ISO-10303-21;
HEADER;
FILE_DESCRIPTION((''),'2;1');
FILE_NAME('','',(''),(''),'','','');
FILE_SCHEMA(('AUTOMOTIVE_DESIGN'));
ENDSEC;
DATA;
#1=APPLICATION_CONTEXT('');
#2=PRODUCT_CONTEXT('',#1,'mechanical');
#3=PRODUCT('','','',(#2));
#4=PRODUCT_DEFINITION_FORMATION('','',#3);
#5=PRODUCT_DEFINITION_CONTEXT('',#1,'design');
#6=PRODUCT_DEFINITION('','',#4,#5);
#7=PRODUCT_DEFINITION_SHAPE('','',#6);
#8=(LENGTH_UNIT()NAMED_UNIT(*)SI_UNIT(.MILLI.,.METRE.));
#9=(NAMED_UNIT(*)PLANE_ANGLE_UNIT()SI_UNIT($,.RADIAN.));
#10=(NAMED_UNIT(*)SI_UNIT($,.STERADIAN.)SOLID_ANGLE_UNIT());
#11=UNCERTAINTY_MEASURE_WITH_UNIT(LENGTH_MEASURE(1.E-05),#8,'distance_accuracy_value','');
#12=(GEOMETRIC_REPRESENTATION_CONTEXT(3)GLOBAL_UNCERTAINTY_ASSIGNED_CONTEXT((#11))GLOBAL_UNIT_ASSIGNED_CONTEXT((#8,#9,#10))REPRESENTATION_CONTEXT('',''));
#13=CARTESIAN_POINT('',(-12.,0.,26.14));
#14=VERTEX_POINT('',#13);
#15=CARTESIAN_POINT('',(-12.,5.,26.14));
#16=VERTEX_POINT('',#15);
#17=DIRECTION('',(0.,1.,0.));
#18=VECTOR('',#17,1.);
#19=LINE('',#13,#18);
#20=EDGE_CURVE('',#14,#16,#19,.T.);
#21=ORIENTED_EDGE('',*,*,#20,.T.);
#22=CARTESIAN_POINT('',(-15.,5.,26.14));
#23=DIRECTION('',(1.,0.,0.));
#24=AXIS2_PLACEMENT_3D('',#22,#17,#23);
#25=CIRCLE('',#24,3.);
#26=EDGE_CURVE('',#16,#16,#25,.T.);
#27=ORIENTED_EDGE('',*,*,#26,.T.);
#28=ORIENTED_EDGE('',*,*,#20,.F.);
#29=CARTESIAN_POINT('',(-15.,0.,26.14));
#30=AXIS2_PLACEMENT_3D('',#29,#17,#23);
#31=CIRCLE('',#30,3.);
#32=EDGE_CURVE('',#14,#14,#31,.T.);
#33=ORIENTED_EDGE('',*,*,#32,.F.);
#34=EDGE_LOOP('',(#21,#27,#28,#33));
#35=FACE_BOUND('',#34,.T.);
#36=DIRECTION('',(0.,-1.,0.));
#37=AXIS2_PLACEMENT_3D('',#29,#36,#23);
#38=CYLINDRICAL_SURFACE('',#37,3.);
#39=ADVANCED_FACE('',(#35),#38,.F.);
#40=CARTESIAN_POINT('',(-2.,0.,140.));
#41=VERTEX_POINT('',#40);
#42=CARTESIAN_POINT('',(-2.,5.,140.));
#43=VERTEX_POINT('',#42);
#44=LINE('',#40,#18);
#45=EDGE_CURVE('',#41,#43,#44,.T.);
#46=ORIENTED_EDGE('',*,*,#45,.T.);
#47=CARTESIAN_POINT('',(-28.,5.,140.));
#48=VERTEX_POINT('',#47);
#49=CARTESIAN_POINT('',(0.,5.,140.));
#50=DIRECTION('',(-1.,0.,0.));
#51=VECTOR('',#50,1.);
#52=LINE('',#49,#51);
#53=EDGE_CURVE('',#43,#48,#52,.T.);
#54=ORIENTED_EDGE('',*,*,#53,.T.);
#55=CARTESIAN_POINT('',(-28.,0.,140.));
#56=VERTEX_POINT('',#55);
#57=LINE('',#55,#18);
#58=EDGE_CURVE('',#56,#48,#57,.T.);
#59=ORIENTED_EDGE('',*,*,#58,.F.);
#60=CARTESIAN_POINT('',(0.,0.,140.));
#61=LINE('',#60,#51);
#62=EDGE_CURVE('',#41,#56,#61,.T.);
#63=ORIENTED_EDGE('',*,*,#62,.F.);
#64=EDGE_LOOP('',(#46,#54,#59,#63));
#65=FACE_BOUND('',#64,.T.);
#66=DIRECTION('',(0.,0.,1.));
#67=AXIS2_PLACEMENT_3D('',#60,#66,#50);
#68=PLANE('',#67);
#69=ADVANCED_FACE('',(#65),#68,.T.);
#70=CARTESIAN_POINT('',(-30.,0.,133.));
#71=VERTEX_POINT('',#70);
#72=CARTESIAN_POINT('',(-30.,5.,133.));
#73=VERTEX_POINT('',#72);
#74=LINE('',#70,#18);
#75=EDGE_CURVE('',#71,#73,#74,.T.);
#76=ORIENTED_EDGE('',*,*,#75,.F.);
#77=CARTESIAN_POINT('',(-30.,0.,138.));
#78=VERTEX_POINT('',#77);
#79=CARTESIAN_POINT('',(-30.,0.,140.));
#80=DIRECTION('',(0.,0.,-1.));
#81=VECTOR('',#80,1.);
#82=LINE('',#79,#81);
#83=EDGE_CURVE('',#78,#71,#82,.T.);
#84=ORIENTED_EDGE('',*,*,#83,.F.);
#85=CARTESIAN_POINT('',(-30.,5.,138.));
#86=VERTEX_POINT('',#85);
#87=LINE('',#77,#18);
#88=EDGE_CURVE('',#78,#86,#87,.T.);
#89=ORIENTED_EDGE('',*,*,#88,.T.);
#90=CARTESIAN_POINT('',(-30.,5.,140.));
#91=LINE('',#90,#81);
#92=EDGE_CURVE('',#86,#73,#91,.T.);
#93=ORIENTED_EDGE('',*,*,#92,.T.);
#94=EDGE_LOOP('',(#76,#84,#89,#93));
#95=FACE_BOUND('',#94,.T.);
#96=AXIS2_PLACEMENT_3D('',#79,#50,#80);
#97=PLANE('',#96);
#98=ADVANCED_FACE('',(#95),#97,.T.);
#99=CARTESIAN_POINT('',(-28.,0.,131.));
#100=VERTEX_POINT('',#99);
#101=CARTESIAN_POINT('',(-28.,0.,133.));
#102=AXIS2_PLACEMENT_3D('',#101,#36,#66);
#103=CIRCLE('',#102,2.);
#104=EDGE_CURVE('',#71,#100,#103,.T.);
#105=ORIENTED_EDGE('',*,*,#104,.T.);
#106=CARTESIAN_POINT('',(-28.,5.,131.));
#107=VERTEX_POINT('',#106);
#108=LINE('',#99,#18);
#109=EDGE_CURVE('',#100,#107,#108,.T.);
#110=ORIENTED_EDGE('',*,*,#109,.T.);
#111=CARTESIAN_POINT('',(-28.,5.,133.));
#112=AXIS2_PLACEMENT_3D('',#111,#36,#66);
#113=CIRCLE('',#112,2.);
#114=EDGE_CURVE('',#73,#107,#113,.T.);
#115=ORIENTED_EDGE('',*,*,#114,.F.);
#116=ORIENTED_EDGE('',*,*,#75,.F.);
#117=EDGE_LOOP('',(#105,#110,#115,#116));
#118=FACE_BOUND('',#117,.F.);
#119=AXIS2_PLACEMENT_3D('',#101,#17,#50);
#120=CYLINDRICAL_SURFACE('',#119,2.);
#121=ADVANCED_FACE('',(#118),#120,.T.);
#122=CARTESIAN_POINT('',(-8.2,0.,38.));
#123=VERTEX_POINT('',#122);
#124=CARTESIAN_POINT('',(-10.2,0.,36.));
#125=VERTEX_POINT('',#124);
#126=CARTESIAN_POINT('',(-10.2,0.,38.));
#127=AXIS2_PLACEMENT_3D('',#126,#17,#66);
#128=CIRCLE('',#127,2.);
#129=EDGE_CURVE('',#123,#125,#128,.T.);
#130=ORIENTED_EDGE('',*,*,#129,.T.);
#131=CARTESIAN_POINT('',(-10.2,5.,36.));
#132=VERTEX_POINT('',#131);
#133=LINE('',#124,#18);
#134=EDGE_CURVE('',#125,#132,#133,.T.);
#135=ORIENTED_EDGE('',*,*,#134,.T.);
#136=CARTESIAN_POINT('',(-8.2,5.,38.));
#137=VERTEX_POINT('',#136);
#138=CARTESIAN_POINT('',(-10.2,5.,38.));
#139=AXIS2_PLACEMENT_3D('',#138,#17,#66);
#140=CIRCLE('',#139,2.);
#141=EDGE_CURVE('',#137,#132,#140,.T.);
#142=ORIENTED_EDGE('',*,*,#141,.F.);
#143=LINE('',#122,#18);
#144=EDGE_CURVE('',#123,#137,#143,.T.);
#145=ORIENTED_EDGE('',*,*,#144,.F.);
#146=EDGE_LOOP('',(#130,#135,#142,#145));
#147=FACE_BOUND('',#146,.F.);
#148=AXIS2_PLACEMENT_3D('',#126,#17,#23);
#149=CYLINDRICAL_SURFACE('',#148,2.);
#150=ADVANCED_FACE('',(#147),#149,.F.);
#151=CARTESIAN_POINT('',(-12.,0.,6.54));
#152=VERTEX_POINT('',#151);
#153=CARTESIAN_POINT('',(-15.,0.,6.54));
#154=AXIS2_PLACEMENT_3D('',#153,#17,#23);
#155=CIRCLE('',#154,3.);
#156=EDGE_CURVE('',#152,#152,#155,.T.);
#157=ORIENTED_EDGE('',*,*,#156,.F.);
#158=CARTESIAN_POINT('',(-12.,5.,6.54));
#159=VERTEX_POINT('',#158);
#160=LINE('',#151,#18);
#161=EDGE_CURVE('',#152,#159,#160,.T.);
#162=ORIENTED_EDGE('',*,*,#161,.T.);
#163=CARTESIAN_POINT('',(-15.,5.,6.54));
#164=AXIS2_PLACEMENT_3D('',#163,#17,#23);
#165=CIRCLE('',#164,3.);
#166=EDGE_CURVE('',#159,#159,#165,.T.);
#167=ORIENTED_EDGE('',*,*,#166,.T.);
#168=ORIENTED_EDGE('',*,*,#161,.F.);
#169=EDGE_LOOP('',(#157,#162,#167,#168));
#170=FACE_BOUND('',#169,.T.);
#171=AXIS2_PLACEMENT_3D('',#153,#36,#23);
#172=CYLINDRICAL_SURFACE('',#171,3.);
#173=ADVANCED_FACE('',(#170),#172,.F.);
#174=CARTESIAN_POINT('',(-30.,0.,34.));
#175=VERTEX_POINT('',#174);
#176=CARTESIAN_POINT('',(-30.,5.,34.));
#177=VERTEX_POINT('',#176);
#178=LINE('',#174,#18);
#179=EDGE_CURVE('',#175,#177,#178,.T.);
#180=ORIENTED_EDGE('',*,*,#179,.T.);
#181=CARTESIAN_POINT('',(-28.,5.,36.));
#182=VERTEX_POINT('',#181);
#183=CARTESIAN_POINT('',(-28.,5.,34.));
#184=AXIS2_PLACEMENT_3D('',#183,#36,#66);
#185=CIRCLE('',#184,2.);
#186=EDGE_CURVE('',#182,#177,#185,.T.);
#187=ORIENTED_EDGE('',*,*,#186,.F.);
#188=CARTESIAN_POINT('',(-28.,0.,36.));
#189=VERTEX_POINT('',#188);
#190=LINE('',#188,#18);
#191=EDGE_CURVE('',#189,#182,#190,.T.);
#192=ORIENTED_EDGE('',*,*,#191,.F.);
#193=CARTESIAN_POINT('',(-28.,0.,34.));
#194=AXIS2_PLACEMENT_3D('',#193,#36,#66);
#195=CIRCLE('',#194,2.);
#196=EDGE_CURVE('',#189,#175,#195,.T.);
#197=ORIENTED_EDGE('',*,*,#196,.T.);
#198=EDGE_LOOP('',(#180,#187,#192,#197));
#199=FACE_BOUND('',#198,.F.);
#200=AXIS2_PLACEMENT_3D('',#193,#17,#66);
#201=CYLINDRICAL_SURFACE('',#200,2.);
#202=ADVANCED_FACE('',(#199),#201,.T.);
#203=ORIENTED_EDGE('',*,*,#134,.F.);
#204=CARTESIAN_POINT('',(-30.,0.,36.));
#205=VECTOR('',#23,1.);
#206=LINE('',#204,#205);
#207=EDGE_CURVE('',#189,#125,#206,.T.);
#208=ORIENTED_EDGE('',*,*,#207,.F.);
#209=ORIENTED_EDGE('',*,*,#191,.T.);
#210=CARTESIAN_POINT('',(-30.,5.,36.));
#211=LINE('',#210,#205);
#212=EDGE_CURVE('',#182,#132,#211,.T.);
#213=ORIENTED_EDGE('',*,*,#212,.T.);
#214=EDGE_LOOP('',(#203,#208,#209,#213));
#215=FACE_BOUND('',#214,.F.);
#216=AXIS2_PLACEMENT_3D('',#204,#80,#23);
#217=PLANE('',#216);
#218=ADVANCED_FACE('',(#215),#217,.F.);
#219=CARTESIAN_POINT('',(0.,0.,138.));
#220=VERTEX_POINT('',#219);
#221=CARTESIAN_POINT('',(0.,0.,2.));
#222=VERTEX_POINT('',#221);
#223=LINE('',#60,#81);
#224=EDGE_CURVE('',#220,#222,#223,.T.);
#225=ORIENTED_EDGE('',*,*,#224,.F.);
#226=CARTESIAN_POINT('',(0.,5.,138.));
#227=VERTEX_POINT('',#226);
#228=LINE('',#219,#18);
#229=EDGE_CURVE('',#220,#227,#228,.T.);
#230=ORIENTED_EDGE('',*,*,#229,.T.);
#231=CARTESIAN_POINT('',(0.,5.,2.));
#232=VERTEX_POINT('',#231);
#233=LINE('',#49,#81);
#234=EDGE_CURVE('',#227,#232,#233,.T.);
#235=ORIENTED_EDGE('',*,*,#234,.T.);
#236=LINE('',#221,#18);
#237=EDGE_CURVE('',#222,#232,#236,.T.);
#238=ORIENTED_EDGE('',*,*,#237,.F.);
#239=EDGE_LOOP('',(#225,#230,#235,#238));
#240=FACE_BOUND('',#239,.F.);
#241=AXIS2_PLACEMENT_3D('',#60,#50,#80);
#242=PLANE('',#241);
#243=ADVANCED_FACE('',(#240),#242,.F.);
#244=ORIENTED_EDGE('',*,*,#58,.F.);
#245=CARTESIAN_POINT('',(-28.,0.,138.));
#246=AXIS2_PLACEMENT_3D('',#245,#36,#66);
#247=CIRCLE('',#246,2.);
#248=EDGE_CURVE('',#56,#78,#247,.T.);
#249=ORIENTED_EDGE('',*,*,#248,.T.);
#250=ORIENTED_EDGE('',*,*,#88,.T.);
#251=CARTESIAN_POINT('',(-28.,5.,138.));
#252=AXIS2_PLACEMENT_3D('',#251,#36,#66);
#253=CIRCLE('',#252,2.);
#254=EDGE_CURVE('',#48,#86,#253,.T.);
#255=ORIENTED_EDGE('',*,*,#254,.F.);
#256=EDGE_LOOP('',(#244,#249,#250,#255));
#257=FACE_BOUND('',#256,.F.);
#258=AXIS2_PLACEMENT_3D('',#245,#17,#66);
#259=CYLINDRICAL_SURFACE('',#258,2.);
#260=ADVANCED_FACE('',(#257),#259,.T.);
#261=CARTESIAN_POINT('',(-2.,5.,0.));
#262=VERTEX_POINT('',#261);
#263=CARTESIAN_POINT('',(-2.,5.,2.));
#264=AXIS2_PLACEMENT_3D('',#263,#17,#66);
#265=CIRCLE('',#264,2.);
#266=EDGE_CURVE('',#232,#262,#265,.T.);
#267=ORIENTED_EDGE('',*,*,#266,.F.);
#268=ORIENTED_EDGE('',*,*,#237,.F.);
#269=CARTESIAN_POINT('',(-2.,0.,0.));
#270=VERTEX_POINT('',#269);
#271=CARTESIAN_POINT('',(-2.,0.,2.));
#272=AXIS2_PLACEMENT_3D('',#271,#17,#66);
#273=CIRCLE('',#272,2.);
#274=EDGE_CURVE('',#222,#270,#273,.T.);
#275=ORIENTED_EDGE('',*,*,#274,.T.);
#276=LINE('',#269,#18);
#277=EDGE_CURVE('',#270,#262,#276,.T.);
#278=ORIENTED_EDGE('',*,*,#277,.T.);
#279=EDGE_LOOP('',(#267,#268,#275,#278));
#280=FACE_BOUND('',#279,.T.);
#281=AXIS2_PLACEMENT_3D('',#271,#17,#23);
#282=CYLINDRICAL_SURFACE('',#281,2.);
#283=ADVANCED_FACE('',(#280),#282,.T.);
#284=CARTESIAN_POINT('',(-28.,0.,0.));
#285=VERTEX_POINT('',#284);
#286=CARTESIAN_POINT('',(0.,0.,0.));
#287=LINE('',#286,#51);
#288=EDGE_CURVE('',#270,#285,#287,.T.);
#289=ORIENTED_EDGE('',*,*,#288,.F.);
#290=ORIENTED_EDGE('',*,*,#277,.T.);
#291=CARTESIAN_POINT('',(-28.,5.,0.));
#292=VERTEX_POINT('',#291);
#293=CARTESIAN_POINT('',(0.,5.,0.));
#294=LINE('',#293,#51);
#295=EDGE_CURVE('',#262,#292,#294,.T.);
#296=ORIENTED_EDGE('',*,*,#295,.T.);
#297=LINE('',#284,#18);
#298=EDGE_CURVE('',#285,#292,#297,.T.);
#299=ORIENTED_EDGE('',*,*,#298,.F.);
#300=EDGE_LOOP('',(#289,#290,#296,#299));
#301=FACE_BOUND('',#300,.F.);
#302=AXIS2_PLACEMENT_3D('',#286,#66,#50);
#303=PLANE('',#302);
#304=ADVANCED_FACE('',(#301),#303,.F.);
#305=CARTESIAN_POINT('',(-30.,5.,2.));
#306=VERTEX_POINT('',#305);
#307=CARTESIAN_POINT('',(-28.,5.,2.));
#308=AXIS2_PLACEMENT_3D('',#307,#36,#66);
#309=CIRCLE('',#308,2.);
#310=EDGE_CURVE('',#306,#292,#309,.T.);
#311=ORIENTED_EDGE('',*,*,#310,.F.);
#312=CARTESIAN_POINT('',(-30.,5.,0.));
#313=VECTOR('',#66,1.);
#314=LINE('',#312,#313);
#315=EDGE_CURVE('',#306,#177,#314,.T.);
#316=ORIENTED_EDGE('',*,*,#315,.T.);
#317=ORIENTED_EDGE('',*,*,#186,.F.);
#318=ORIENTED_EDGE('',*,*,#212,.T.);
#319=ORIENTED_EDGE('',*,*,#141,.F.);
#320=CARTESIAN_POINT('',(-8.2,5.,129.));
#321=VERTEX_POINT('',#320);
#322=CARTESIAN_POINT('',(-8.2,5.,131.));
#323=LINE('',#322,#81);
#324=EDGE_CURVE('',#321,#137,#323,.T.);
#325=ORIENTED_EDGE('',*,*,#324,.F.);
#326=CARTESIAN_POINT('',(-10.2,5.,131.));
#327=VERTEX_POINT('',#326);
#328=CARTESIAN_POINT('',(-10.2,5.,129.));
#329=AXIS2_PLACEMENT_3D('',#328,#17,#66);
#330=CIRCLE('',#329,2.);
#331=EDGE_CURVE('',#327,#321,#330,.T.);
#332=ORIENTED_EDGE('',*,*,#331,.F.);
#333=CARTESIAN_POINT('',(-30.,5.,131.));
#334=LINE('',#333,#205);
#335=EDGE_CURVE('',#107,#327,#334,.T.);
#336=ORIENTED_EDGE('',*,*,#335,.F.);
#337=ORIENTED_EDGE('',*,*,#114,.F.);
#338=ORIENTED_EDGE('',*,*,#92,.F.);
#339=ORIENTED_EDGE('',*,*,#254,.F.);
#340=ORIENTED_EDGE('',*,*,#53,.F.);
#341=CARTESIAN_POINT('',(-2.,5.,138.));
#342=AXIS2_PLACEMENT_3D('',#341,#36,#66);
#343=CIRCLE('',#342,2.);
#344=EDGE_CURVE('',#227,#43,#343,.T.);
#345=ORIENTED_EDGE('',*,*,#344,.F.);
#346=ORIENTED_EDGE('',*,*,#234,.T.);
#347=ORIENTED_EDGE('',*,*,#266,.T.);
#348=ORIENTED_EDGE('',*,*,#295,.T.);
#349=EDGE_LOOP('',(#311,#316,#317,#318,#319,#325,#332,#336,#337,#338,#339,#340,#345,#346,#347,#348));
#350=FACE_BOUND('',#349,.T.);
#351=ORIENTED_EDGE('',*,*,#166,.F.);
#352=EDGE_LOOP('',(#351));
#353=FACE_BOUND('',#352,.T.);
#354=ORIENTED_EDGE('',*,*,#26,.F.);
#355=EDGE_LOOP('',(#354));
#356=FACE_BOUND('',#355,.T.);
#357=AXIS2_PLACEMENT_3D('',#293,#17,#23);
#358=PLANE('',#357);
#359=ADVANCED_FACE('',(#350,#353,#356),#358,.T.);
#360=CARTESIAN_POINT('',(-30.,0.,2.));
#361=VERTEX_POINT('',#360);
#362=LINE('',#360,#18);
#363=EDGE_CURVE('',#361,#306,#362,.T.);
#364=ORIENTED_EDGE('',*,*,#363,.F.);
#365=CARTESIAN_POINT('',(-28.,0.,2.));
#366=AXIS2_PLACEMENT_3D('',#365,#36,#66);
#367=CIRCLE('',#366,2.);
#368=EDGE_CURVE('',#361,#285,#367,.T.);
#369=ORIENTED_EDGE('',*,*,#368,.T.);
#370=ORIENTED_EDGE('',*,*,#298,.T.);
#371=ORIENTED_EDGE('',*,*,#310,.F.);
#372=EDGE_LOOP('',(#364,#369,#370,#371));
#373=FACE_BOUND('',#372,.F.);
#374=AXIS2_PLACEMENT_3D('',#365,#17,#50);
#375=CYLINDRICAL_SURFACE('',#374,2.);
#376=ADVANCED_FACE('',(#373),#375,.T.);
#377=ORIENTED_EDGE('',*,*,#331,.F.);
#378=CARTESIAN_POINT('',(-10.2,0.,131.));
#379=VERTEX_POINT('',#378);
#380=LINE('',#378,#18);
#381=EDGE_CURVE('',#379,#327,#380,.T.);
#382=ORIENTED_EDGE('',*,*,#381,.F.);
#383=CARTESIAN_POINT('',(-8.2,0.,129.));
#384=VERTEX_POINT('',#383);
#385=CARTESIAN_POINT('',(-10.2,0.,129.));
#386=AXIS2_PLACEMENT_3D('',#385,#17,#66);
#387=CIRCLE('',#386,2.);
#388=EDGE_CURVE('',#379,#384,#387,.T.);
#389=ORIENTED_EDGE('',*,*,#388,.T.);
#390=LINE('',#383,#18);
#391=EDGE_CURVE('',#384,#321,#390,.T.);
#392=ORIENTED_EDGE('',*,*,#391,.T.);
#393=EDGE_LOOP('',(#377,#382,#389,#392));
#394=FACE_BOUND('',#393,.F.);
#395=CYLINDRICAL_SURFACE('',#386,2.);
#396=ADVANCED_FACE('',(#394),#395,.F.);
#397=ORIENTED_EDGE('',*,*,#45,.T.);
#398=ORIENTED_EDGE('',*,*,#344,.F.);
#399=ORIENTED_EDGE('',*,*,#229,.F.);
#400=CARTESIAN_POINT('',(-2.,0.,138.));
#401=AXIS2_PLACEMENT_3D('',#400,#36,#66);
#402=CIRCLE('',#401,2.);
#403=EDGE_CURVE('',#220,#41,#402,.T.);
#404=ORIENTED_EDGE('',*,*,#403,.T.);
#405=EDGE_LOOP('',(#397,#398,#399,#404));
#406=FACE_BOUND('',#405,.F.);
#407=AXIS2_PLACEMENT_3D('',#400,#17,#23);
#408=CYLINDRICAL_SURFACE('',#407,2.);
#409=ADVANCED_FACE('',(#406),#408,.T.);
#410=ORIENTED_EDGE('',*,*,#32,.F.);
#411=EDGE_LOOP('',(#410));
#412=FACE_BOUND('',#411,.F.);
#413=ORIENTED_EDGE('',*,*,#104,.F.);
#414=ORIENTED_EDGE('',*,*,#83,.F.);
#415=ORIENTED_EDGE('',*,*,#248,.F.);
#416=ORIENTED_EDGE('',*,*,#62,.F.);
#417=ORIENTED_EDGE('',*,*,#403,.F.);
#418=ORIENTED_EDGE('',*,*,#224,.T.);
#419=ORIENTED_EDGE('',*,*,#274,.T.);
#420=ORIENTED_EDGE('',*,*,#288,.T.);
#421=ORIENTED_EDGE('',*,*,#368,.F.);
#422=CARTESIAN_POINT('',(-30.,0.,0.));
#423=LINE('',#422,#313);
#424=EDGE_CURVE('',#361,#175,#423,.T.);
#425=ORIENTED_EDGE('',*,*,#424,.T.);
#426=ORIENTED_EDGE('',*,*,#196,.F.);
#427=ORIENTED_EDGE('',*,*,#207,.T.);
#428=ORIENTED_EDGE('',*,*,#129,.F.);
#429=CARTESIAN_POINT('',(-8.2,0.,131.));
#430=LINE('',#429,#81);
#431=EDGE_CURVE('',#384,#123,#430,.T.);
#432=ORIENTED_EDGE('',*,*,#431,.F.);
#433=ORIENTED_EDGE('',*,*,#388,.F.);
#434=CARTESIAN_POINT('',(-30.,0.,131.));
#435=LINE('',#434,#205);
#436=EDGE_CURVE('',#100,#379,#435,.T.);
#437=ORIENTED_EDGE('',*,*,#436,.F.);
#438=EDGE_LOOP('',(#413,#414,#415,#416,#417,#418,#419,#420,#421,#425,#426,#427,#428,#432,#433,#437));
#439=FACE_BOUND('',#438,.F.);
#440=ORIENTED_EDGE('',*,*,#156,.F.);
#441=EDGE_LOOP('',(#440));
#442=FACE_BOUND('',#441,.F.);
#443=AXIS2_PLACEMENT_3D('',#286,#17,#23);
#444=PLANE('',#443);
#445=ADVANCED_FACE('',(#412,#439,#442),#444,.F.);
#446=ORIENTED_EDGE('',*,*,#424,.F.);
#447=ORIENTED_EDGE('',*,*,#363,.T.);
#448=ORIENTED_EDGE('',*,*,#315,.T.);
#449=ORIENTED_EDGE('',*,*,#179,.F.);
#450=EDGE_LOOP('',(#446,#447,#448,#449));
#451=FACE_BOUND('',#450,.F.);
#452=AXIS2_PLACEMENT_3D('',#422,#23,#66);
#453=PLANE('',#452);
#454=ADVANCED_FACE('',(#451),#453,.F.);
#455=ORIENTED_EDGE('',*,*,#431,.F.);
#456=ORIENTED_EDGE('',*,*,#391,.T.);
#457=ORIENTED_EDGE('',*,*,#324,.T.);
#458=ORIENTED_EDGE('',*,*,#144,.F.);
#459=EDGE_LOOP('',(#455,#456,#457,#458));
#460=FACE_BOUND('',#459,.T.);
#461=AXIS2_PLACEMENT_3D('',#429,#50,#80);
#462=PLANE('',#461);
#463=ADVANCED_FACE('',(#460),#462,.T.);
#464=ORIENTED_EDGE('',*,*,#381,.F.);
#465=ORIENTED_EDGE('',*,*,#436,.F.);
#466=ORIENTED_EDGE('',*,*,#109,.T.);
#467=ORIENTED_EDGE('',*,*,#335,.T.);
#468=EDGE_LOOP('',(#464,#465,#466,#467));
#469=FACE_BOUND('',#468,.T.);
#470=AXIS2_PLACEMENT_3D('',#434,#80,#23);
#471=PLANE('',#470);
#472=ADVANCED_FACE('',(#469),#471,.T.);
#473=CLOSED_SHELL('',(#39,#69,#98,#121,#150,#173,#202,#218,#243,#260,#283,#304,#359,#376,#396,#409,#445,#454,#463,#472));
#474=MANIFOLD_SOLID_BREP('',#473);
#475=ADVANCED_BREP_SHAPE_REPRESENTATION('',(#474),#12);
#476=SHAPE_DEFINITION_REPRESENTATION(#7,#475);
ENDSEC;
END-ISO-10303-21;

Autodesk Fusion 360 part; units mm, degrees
sketch "Sketch1" plane through (0, 0, 0) normal (0, 1, 0) x (1, 0, 0)
  line L0 (0, 0) -> (-30, 0)
  line L1 (-30, 0) -> (-30, -36)
  line L2 (0, -140) -> (0, 0)
  line L3 (0, -140) -> (-30, -140)
  line L4 (-30, -140) -> (-30, -131)
  line L5 (-30, -131) -> (-8.2, -131)
  line L6 (-8.2, -131) -> (-8.2, -36)
  line L7 (-30, -36) -> (-8.2, -36)
  circle A0 centre (-15, -26.14) radius 3
  circle A1 centre (-15, -6.54) radius 3
  dimension "d1" = 140
  dimension "d2" = 36
  dimension "d3" = 30
  dimension "d4" = 9
  dimension "d5" = 8.2
  dimension "d6" = 30
  dimension "d7" = 6
  dimension "d8" = 15
  dimension "d10" = 6
  dimension "d11" = 15
  dimension "d12" = 9.86
  dimension "d13" = 19.6
extrude "Extrude1" add sketch "Sketch1" along normal blind 5
fillet "Fillet1" radius 2 8 edges at (-8.2, 2.5, 131) (-8.2, 2.5, 36) (-30, 2.5, 36) (-30, 2.5, 0) (0, 2.5, 0) (0, 2.5, 140) (-30, 2.5, 140) (-30, 2.5, 131)
